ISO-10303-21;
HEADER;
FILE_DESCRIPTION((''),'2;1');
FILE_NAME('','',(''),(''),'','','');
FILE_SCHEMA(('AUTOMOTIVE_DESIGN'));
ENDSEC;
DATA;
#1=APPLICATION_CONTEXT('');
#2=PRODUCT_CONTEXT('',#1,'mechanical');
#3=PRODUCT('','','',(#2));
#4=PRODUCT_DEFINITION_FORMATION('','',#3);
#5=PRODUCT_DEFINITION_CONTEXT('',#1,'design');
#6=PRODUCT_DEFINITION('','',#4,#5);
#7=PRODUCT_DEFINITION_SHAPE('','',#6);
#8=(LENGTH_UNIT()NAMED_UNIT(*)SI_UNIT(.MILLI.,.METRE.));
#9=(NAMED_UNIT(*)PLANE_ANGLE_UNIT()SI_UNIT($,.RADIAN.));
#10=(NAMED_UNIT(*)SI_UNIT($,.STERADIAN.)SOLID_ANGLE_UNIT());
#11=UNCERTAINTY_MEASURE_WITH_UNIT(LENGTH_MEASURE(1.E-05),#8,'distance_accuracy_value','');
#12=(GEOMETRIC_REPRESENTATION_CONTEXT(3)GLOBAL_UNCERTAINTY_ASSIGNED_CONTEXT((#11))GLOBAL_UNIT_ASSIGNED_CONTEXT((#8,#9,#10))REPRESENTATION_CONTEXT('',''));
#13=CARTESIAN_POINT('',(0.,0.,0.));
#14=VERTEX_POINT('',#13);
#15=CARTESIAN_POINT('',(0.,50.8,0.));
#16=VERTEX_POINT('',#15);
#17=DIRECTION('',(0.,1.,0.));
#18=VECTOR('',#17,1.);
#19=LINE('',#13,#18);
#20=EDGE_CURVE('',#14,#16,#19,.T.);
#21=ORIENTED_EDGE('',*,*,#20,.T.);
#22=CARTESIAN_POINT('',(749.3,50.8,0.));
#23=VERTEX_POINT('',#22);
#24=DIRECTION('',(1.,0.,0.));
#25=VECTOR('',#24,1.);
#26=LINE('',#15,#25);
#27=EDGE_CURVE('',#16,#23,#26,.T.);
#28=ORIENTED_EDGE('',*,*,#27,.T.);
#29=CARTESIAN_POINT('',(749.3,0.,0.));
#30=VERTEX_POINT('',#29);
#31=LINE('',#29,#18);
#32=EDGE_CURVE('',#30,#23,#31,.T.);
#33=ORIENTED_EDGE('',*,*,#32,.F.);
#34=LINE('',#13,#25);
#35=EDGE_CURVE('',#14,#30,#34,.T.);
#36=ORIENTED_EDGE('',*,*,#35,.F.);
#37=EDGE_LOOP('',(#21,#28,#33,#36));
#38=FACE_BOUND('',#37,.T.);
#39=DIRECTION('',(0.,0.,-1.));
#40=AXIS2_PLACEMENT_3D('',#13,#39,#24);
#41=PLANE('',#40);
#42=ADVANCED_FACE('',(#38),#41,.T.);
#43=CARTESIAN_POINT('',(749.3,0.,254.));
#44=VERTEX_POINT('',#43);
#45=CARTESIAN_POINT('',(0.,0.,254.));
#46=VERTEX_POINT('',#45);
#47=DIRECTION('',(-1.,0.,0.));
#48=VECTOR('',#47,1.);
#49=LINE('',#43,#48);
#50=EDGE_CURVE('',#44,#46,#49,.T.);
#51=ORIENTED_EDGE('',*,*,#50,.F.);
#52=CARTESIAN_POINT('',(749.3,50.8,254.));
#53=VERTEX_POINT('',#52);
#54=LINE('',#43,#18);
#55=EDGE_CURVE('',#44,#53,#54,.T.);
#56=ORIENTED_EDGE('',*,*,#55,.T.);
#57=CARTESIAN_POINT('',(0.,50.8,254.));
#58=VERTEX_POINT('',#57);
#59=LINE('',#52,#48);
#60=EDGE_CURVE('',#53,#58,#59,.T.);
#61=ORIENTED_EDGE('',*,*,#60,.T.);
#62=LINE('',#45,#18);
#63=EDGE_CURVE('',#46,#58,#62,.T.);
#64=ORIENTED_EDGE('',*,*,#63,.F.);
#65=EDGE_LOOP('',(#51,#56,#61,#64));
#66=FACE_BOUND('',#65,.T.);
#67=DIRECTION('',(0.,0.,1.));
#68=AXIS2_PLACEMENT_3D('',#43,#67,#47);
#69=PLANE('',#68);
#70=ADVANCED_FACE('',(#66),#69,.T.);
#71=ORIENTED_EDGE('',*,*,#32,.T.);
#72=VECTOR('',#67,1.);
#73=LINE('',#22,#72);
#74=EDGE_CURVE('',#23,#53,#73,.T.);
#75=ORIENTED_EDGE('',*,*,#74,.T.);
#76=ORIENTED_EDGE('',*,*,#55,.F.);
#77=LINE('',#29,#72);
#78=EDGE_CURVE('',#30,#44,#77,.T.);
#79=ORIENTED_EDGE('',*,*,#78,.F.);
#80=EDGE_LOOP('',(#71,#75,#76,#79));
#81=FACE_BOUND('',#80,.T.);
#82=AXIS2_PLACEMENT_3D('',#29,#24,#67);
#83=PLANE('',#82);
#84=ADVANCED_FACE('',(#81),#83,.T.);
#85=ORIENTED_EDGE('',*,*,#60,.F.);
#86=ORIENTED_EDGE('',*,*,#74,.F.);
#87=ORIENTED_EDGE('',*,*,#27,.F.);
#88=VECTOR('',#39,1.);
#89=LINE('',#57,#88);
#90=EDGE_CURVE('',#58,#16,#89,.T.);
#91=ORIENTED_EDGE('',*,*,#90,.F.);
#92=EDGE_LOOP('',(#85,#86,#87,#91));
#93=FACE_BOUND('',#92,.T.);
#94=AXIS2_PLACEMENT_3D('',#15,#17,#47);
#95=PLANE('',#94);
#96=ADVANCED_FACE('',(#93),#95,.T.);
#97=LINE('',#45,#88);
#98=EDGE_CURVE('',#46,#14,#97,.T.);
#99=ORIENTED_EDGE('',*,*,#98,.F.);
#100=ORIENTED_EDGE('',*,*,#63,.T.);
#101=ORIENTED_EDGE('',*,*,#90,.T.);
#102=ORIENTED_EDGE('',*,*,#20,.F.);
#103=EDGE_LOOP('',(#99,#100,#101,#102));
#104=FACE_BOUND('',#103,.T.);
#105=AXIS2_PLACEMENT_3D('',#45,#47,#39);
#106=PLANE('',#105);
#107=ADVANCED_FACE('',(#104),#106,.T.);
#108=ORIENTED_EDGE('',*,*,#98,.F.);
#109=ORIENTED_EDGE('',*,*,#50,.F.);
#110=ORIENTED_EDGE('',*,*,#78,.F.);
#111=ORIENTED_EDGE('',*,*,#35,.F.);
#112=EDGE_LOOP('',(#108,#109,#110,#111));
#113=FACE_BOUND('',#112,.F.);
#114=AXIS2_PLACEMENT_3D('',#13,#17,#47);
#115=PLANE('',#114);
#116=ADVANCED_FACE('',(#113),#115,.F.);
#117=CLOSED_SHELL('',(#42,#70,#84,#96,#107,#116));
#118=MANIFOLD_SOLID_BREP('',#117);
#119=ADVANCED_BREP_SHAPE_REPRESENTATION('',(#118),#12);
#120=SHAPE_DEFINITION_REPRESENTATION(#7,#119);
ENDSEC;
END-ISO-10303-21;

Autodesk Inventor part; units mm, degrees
ref_plane "YZ Plane" through (0, 0, 0) normal (1, 0, 0) x (0, 1, 0)
ref_plane "XZ Plane" through (0, 0, 0) normal (0, 1, 0) x (-1, 0, 0)
ref_plane "XY Plane" through (0, 0, 0) normal (0, 0, 1) x (1, 0, 0)
sketch "Sketch1" plane through (0, 0, 0) normal (0, 1, 0) x (-1, 0, 0)
  line L0 (0, 0) -> (-749.3, 0)
  line L1 (-749.3, 0) -> (-749.3, 254)
  line L2 (-749.3, 254) -> (0, 254)
  line L3 (0, 254) -> (0, 0)
  dimension "d0" = 749.3
  dimension "d1" = 254
extrude "Extrusion1" add sketch "Sketch1" along normal blind 50.8
properties part number "F" material "Granite, Cut, Polished"
